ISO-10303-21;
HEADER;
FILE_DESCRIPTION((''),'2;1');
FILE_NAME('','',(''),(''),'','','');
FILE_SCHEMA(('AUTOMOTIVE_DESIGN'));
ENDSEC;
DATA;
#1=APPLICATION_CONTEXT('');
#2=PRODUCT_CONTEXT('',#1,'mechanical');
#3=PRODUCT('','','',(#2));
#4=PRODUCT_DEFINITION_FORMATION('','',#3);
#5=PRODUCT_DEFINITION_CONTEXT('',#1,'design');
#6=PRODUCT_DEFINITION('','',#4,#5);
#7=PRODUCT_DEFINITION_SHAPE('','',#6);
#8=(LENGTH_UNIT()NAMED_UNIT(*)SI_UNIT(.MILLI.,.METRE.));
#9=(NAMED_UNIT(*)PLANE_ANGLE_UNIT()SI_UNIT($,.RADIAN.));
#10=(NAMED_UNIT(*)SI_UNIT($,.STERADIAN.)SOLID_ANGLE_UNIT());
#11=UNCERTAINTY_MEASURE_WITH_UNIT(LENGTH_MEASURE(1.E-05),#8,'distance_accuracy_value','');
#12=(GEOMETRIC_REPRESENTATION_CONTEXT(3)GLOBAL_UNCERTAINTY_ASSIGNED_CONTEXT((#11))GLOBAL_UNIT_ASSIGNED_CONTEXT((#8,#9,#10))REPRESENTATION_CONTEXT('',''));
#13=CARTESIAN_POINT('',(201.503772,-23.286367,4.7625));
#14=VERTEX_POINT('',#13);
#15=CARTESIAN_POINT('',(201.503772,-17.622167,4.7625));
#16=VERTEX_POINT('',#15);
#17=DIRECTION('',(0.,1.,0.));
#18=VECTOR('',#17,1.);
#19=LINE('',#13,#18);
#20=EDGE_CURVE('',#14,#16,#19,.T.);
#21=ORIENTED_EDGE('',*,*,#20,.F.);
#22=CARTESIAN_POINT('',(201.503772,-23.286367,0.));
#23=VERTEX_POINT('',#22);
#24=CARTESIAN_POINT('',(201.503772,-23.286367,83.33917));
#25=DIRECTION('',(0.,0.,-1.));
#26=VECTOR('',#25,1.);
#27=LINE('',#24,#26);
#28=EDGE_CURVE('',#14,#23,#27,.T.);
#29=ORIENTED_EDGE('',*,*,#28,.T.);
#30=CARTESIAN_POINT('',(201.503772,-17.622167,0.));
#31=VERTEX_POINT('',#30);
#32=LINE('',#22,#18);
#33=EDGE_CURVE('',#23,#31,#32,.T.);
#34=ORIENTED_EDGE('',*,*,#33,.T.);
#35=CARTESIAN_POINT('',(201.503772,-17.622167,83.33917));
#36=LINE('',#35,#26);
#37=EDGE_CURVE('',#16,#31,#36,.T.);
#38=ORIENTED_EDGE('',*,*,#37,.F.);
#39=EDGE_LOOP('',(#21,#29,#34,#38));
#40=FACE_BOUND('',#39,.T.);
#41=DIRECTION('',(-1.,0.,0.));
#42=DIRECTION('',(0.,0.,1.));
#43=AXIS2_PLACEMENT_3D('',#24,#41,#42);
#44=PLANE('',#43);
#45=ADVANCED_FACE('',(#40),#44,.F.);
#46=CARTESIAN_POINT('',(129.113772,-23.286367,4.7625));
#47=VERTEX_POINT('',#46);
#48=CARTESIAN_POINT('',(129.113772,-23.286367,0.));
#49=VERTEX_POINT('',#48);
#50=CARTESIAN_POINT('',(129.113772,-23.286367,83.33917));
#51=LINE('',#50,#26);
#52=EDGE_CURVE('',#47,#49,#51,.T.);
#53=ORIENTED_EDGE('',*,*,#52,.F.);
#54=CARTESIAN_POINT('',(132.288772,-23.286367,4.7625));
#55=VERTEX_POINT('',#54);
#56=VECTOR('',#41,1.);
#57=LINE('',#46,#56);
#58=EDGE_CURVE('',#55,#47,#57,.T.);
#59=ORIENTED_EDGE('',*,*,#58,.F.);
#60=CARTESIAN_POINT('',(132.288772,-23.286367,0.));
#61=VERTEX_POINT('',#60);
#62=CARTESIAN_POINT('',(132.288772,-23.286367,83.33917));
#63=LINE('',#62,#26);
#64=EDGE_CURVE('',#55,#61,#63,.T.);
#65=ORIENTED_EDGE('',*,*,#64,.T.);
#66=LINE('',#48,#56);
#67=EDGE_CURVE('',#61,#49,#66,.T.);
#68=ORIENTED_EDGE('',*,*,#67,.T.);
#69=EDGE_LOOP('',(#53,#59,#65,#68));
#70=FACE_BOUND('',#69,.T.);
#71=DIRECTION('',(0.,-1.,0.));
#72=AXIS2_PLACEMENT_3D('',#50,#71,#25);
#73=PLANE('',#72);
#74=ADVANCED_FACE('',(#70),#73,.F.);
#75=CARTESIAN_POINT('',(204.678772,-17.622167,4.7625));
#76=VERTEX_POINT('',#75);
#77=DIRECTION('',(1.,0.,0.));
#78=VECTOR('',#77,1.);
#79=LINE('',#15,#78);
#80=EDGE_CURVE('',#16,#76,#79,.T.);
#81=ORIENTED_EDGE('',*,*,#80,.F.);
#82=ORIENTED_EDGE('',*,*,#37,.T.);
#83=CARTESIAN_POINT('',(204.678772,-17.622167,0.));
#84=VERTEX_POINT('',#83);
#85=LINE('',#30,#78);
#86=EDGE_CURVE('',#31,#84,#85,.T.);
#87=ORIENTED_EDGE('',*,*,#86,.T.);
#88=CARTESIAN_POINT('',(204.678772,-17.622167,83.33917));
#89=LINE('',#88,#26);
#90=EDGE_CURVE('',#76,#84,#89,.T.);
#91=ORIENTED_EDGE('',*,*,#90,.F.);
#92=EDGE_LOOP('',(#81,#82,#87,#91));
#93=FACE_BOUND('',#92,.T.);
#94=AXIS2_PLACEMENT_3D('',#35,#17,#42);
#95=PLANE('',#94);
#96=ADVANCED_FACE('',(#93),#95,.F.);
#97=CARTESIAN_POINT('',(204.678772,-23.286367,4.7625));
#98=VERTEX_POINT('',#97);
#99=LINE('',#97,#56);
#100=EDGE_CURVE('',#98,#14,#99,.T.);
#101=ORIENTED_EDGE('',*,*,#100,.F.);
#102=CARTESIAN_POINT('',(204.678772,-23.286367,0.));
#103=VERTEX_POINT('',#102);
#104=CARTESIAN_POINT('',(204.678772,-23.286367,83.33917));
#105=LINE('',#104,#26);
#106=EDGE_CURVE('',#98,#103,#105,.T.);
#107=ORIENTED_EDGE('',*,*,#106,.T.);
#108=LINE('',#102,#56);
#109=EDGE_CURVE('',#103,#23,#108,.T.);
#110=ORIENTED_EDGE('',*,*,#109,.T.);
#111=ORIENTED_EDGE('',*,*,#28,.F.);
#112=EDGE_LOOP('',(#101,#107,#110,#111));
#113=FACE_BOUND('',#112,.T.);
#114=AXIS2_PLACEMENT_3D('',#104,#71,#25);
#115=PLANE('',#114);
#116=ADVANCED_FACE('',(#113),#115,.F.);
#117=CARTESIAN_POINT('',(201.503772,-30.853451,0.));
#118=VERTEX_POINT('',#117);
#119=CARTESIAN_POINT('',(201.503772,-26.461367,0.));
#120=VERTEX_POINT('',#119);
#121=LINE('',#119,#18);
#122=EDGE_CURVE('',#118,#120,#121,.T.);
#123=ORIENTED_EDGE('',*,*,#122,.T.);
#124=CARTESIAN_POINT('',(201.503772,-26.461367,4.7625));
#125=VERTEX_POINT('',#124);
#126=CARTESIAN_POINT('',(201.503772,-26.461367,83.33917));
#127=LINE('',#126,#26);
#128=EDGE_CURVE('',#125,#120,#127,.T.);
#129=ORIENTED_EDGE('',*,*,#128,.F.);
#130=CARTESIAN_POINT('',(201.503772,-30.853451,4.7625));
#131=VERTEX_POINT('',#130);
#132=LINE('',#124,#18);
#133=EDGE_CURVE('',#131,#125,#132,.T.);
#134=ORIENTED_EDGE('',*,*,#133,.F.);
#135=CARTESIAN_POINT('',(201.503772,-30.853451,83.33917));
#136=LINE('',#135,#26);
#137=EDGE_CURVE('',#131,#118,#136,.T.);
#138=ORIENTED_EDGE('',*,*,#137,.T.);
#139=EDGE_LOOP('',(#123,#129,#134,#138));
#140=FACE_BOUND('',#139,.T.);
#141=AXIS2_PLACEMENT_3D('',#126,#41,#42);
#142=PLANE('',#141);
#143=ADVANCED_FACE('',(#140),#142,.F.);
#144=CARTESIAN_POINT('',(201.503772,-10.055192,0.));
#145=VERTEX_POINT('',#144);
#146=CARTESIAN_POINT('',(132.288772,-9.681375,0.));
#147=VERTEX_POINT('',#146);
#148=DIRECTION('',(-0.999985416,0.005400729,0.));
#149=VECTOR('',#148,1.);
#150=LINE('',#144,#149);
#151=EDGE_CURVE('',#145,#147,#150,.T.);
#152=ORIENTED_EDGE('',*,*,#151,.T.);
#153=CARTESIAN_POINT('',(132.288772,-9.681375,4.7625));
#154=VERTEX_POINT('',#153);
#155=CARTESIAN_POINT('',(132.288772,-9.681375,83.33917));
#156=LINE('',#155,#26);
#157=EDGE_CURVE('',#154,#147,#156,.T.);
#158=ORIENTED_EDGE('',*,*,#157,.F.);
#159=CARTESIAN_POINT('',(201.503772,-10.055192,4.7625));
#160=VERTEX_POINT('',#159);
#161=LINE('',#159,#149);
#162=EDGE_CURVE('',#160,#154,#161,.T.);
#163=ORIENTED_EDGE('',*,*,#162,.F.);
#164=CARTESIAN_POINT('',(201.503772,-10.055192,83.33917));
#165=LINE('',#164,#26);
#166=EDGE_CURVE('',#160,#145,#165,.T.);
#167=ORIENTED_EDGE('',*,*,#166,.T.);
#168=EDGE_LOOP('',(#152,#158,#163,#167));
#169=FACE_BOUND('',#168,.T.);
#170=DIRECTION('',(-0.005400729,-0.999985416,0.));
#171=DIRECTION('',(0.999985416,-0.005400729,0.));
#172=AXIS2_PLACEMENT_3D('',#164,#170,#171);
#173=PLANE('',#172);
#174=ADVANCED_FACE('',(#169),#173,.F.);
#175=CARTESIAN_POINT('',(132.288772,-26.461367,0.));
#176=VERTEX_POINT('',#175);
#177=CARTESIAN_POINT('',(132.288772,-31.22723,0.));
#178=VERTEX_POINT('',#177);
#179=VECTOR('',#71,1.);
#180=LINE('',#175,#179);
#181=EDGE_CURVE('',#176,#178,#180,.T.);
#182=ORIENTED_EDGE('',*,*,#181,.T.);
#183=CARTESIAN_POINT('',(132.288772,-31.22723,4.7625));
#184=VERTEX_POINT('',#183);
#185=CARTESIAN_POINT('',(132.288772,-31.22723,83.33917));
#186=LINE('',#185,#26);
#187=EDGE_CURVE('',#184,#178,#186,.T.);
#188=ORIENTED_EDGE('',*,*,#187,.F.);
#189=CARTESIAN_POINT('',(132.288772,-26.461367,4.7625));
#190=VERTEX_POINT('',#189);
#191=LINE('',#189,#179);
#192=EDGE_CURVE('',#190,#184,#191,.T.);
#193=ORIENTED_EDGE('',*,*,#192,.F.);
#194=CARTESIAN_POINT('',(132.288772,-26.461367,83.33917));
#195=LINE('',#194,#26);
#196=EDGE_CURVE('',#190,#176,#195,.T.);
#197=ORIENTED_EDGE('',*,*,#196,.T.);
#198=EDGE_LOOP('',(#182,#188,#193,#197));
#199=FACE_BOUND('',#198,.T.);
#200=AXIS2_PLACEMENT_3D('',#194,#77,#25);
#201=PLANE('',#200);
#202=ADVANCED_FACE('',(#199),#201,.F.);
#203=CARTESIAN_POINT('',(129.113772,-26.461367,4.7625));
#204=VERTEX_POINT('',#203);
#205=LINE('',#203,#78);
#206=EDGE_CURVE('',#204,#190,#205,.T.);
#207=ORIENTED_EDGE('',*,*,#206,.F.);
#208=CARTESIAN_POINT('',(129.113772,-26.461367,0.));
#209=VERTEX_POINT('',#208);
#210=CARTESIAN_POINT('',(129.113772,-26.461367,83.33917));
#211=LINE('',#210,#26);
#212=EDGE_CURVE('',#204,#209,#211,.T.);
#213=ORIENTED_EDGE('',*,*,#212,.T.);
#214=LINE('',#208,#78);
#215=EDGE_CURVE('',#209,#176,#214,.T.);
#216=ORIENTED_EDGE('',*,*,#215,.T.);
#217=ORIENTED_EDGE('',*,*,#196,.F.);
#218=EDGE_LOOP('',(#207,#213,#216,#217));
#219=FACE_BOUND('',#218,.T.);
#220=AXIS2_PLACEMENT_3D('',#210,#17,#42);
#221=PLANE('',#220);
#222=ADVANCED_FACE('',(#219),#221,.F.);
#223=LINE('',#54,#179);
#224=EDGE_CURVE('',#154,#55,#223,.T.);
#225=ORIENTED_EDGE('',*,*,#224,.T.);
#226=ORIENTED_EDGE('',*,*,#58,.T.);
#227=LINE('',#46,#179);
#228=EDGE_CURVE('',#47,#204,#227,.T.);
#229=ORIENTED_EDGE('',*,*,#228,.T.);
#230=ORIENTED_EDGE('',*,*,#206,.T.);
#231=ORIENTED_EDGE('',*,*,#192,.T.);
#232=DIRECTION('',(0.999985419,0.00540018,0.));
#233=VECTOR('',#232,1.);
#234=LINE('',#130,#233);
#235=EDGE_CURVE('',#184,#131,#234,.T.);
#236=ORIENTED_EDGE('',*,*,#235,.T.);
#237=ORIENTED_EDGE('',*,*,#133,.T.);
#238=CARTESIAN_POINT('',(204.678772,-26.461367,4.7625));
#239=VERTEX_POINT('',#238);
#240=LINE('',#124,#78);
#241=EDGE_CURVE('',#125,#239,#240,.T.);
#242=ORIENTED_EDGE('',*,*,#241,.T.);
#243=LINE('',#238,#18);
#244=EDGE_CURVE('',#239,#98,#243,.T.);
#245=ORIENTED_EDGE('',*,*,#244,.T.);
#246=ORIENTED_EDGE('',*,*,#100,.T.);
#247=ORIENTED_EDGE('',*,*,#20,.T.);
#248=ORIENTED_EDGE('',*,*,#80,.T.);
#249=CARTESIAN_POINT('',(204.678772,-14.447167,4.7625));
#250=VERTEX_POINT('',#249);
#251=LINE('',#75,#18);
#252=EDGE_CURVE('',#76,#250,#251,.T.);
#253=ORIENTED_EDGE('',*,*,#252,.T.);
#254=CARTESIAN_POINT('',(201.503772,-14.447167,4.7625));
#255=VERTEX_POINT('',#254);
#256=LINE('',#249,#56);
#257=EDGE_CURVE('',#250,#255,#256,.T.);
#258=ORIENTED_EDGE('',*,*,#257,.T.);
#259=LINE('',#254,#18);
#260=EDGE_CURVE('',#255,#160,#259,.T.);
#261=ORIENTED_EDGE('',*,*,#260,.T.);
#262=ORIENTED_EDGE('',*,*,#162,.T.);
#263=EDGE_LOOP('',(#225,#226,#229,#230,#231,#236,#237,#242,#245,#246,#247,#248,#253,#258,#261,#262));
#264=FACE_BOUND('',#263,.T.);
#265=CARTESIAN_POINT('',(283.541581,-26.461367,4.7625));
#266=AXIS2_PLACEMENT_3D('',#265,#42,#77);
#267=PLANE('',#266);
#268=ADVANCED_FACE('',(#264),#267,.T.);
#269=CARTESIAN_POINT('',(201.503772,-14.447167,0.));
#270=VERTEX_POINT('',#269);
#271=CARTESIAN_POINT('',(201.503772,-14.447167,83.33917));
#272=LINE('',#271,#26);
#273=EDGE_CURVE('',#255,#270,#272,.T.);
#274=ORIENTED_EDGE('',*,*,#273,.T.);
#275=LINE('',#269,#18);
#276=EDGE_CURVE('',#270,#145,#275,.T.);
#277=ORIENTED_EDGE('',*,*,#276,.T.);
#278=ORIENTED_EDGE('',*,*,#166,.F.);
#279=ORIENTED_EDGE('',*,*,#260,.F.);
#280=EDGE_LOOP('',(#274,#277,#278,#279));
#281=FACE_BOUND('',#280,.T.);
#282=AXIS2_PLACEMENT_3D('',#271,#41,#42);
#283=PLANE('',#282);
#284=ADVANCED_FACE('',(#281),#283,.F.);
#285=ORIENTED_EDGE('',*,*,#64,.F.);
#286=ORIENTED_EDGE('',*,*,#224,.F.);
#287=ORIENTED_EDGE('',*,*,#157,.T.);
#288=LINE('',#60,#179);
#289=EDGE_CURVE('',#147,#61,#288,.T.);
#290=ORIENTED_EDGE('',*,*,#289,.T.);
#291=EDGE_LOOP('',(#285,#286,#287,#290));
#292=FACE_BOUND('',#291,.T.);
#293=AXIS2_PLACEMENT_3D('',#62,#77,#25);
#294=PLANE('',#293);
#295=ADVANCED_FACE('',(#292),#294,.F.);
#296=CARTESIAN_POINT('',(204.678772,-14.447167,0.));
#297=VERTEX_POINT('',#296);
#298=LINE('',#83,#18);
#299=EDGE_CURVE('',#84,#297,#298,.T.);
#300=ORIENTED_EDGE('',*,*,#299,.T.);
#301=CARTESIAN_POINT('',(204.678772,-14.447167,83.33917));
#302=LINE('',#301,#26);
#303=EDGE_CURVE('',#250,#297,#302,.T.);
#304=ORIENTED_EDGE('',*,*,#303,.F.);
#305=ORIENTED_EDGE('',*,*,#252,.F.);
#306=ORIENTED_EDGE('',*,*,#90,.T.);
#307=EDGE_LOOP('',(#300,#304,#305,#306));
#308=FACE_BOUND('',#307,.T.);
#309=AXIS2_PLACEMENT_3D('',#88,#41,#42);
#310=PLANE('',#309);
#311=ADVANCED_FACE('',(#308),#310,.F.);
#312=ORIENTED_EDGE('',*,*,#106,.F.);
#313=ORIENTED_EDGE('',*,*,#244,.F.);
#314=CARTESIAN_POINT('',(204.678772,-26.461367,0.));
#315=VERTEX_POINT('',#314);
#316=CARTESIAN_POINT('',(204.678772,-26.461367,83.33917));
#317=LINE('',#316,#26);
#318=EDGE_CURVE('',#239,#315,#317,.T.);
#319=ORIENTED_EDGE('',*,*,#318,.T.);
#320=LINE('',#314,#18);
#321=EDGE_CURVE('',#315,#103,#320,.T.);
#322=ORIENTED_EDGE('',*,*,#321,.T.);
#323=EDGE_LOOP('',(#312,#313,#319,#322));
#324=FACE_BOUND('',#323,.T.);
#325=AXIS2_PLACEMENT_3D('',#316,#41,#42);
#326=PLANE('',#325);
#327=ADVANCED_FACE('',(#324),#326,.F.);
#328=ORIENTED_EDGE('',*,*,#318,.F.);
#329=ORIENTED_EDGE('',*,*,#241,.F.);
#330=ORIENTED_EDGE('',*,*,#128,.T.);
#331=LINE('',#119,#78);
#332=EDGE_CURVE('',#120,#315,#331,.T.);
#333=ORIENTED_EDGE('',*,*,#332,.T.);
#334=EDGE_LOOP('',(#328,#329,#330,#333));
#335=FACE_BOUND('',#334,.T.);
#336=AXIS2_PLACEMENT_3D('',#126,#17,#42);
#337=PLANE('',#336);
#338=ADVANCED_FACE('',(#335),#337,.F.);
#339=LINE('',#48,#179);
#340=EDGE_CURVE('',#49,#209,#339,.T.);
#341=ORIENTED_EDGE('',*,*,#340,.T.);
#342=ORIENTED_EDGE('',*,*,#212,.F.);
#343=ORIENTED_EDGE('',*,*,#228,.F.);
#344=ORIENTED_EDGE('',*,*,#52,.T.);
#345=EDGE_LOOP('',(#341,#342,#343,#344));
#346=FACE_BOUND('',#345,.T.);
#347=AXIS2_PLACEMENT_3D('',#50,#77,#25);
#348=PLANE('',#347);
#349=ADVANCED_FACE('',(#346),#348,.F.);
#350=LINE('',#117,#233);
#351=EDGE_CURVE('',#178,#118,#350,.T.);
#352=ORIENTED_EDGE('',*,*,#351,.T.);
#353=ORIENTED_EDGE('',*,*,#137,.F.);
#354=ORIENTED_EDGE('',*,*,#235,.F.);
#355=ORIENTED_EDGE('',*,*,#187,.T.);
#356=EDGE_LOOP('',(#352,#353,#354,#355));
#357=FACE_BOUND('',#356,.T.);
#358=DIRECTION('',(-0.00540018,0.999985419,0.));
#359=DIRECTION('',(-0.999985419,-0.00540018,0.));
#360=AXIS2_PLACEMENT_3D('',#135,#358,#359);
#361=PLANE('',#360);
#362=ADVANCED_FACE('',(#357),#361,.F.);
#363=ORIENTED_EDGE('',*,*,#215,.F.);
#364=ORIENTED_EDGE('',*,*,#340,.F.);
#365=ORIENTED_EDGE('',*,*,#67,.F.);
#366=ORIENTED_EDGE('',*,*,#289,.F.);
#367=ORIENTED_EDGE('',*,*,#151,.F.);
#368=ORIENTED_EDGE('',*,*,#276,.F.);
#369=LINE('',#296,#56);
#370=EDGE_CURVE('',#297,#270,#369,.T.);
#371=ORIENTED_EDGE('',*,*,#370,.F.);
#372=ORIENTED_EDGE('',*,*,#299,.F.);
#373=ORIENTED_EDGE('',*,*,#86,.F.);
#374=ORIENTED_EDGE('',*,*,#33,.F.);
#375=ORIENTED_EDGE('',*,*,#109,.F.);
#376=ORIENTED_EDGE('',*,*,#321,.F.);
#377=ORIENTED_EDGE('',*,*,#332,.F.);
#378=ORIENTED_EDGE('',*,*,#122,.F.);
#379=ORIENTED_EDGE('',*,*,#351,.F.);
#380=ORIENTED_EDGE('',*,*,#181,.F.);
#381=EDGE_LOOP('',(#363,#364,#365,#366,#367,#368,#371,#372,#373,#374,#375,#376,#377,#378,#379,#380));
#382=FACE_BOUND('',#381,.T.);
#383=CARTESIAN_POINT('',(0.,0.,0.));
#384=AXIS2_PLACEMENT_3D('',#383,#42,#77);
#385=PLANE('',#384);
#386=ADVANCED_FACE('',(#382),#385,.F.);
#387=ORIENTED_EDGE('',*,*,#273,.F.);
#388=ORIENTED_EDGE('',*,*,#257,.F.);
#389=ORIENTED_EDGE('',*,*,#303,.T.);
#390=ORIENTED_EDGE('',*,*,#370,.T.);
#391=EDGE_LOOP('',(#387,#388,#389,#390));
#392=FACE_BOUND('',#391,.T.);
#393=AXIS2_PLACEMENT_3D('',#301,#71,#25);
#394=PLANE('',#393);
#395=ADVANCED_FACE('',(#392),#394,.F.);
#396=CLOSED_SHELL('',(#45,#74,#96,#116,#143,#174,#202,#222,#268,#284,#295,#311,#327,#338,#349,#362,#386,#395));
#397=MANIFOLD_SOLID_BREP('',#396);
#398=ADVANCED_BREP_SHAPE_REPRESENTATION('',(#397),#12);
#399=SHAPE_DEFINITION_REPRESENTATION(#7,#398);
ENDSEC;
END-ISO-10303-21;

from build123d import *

# Parameters (mm, degrees)
BOSS_EXTRUDE1_DEPTH = 4.7625


with BuildPart() as part:
    # Sketch1 → Boss-Extrude1 (new body)
    with BuildSketch(Plane.XY):
        Polygon((129.113772097, -23.286367498), (132.288772097, -23.286367498), (132.288772097, -9.681374977), (201.503772097, -10.055191911), (201.503772097, -14.447167498), (204.678772097, -14.447167498), (204.678772097, -17.622167498), (201.503772097, -17.622167498), (201.503772097, -23.286367498), (204.678772097, -23.286367498), (204.678772097, -26.461367498), (201.503772097, -26.461367498), (201.503772097, -30.853451146), (132.288772097, -31.227230038), (132.288772097, -26.461367498), (129.113772097, -26.461367498), align=None)
    extrude(amount=BOSS_EXTRUDE1_DEPTH)


solid = part.part
